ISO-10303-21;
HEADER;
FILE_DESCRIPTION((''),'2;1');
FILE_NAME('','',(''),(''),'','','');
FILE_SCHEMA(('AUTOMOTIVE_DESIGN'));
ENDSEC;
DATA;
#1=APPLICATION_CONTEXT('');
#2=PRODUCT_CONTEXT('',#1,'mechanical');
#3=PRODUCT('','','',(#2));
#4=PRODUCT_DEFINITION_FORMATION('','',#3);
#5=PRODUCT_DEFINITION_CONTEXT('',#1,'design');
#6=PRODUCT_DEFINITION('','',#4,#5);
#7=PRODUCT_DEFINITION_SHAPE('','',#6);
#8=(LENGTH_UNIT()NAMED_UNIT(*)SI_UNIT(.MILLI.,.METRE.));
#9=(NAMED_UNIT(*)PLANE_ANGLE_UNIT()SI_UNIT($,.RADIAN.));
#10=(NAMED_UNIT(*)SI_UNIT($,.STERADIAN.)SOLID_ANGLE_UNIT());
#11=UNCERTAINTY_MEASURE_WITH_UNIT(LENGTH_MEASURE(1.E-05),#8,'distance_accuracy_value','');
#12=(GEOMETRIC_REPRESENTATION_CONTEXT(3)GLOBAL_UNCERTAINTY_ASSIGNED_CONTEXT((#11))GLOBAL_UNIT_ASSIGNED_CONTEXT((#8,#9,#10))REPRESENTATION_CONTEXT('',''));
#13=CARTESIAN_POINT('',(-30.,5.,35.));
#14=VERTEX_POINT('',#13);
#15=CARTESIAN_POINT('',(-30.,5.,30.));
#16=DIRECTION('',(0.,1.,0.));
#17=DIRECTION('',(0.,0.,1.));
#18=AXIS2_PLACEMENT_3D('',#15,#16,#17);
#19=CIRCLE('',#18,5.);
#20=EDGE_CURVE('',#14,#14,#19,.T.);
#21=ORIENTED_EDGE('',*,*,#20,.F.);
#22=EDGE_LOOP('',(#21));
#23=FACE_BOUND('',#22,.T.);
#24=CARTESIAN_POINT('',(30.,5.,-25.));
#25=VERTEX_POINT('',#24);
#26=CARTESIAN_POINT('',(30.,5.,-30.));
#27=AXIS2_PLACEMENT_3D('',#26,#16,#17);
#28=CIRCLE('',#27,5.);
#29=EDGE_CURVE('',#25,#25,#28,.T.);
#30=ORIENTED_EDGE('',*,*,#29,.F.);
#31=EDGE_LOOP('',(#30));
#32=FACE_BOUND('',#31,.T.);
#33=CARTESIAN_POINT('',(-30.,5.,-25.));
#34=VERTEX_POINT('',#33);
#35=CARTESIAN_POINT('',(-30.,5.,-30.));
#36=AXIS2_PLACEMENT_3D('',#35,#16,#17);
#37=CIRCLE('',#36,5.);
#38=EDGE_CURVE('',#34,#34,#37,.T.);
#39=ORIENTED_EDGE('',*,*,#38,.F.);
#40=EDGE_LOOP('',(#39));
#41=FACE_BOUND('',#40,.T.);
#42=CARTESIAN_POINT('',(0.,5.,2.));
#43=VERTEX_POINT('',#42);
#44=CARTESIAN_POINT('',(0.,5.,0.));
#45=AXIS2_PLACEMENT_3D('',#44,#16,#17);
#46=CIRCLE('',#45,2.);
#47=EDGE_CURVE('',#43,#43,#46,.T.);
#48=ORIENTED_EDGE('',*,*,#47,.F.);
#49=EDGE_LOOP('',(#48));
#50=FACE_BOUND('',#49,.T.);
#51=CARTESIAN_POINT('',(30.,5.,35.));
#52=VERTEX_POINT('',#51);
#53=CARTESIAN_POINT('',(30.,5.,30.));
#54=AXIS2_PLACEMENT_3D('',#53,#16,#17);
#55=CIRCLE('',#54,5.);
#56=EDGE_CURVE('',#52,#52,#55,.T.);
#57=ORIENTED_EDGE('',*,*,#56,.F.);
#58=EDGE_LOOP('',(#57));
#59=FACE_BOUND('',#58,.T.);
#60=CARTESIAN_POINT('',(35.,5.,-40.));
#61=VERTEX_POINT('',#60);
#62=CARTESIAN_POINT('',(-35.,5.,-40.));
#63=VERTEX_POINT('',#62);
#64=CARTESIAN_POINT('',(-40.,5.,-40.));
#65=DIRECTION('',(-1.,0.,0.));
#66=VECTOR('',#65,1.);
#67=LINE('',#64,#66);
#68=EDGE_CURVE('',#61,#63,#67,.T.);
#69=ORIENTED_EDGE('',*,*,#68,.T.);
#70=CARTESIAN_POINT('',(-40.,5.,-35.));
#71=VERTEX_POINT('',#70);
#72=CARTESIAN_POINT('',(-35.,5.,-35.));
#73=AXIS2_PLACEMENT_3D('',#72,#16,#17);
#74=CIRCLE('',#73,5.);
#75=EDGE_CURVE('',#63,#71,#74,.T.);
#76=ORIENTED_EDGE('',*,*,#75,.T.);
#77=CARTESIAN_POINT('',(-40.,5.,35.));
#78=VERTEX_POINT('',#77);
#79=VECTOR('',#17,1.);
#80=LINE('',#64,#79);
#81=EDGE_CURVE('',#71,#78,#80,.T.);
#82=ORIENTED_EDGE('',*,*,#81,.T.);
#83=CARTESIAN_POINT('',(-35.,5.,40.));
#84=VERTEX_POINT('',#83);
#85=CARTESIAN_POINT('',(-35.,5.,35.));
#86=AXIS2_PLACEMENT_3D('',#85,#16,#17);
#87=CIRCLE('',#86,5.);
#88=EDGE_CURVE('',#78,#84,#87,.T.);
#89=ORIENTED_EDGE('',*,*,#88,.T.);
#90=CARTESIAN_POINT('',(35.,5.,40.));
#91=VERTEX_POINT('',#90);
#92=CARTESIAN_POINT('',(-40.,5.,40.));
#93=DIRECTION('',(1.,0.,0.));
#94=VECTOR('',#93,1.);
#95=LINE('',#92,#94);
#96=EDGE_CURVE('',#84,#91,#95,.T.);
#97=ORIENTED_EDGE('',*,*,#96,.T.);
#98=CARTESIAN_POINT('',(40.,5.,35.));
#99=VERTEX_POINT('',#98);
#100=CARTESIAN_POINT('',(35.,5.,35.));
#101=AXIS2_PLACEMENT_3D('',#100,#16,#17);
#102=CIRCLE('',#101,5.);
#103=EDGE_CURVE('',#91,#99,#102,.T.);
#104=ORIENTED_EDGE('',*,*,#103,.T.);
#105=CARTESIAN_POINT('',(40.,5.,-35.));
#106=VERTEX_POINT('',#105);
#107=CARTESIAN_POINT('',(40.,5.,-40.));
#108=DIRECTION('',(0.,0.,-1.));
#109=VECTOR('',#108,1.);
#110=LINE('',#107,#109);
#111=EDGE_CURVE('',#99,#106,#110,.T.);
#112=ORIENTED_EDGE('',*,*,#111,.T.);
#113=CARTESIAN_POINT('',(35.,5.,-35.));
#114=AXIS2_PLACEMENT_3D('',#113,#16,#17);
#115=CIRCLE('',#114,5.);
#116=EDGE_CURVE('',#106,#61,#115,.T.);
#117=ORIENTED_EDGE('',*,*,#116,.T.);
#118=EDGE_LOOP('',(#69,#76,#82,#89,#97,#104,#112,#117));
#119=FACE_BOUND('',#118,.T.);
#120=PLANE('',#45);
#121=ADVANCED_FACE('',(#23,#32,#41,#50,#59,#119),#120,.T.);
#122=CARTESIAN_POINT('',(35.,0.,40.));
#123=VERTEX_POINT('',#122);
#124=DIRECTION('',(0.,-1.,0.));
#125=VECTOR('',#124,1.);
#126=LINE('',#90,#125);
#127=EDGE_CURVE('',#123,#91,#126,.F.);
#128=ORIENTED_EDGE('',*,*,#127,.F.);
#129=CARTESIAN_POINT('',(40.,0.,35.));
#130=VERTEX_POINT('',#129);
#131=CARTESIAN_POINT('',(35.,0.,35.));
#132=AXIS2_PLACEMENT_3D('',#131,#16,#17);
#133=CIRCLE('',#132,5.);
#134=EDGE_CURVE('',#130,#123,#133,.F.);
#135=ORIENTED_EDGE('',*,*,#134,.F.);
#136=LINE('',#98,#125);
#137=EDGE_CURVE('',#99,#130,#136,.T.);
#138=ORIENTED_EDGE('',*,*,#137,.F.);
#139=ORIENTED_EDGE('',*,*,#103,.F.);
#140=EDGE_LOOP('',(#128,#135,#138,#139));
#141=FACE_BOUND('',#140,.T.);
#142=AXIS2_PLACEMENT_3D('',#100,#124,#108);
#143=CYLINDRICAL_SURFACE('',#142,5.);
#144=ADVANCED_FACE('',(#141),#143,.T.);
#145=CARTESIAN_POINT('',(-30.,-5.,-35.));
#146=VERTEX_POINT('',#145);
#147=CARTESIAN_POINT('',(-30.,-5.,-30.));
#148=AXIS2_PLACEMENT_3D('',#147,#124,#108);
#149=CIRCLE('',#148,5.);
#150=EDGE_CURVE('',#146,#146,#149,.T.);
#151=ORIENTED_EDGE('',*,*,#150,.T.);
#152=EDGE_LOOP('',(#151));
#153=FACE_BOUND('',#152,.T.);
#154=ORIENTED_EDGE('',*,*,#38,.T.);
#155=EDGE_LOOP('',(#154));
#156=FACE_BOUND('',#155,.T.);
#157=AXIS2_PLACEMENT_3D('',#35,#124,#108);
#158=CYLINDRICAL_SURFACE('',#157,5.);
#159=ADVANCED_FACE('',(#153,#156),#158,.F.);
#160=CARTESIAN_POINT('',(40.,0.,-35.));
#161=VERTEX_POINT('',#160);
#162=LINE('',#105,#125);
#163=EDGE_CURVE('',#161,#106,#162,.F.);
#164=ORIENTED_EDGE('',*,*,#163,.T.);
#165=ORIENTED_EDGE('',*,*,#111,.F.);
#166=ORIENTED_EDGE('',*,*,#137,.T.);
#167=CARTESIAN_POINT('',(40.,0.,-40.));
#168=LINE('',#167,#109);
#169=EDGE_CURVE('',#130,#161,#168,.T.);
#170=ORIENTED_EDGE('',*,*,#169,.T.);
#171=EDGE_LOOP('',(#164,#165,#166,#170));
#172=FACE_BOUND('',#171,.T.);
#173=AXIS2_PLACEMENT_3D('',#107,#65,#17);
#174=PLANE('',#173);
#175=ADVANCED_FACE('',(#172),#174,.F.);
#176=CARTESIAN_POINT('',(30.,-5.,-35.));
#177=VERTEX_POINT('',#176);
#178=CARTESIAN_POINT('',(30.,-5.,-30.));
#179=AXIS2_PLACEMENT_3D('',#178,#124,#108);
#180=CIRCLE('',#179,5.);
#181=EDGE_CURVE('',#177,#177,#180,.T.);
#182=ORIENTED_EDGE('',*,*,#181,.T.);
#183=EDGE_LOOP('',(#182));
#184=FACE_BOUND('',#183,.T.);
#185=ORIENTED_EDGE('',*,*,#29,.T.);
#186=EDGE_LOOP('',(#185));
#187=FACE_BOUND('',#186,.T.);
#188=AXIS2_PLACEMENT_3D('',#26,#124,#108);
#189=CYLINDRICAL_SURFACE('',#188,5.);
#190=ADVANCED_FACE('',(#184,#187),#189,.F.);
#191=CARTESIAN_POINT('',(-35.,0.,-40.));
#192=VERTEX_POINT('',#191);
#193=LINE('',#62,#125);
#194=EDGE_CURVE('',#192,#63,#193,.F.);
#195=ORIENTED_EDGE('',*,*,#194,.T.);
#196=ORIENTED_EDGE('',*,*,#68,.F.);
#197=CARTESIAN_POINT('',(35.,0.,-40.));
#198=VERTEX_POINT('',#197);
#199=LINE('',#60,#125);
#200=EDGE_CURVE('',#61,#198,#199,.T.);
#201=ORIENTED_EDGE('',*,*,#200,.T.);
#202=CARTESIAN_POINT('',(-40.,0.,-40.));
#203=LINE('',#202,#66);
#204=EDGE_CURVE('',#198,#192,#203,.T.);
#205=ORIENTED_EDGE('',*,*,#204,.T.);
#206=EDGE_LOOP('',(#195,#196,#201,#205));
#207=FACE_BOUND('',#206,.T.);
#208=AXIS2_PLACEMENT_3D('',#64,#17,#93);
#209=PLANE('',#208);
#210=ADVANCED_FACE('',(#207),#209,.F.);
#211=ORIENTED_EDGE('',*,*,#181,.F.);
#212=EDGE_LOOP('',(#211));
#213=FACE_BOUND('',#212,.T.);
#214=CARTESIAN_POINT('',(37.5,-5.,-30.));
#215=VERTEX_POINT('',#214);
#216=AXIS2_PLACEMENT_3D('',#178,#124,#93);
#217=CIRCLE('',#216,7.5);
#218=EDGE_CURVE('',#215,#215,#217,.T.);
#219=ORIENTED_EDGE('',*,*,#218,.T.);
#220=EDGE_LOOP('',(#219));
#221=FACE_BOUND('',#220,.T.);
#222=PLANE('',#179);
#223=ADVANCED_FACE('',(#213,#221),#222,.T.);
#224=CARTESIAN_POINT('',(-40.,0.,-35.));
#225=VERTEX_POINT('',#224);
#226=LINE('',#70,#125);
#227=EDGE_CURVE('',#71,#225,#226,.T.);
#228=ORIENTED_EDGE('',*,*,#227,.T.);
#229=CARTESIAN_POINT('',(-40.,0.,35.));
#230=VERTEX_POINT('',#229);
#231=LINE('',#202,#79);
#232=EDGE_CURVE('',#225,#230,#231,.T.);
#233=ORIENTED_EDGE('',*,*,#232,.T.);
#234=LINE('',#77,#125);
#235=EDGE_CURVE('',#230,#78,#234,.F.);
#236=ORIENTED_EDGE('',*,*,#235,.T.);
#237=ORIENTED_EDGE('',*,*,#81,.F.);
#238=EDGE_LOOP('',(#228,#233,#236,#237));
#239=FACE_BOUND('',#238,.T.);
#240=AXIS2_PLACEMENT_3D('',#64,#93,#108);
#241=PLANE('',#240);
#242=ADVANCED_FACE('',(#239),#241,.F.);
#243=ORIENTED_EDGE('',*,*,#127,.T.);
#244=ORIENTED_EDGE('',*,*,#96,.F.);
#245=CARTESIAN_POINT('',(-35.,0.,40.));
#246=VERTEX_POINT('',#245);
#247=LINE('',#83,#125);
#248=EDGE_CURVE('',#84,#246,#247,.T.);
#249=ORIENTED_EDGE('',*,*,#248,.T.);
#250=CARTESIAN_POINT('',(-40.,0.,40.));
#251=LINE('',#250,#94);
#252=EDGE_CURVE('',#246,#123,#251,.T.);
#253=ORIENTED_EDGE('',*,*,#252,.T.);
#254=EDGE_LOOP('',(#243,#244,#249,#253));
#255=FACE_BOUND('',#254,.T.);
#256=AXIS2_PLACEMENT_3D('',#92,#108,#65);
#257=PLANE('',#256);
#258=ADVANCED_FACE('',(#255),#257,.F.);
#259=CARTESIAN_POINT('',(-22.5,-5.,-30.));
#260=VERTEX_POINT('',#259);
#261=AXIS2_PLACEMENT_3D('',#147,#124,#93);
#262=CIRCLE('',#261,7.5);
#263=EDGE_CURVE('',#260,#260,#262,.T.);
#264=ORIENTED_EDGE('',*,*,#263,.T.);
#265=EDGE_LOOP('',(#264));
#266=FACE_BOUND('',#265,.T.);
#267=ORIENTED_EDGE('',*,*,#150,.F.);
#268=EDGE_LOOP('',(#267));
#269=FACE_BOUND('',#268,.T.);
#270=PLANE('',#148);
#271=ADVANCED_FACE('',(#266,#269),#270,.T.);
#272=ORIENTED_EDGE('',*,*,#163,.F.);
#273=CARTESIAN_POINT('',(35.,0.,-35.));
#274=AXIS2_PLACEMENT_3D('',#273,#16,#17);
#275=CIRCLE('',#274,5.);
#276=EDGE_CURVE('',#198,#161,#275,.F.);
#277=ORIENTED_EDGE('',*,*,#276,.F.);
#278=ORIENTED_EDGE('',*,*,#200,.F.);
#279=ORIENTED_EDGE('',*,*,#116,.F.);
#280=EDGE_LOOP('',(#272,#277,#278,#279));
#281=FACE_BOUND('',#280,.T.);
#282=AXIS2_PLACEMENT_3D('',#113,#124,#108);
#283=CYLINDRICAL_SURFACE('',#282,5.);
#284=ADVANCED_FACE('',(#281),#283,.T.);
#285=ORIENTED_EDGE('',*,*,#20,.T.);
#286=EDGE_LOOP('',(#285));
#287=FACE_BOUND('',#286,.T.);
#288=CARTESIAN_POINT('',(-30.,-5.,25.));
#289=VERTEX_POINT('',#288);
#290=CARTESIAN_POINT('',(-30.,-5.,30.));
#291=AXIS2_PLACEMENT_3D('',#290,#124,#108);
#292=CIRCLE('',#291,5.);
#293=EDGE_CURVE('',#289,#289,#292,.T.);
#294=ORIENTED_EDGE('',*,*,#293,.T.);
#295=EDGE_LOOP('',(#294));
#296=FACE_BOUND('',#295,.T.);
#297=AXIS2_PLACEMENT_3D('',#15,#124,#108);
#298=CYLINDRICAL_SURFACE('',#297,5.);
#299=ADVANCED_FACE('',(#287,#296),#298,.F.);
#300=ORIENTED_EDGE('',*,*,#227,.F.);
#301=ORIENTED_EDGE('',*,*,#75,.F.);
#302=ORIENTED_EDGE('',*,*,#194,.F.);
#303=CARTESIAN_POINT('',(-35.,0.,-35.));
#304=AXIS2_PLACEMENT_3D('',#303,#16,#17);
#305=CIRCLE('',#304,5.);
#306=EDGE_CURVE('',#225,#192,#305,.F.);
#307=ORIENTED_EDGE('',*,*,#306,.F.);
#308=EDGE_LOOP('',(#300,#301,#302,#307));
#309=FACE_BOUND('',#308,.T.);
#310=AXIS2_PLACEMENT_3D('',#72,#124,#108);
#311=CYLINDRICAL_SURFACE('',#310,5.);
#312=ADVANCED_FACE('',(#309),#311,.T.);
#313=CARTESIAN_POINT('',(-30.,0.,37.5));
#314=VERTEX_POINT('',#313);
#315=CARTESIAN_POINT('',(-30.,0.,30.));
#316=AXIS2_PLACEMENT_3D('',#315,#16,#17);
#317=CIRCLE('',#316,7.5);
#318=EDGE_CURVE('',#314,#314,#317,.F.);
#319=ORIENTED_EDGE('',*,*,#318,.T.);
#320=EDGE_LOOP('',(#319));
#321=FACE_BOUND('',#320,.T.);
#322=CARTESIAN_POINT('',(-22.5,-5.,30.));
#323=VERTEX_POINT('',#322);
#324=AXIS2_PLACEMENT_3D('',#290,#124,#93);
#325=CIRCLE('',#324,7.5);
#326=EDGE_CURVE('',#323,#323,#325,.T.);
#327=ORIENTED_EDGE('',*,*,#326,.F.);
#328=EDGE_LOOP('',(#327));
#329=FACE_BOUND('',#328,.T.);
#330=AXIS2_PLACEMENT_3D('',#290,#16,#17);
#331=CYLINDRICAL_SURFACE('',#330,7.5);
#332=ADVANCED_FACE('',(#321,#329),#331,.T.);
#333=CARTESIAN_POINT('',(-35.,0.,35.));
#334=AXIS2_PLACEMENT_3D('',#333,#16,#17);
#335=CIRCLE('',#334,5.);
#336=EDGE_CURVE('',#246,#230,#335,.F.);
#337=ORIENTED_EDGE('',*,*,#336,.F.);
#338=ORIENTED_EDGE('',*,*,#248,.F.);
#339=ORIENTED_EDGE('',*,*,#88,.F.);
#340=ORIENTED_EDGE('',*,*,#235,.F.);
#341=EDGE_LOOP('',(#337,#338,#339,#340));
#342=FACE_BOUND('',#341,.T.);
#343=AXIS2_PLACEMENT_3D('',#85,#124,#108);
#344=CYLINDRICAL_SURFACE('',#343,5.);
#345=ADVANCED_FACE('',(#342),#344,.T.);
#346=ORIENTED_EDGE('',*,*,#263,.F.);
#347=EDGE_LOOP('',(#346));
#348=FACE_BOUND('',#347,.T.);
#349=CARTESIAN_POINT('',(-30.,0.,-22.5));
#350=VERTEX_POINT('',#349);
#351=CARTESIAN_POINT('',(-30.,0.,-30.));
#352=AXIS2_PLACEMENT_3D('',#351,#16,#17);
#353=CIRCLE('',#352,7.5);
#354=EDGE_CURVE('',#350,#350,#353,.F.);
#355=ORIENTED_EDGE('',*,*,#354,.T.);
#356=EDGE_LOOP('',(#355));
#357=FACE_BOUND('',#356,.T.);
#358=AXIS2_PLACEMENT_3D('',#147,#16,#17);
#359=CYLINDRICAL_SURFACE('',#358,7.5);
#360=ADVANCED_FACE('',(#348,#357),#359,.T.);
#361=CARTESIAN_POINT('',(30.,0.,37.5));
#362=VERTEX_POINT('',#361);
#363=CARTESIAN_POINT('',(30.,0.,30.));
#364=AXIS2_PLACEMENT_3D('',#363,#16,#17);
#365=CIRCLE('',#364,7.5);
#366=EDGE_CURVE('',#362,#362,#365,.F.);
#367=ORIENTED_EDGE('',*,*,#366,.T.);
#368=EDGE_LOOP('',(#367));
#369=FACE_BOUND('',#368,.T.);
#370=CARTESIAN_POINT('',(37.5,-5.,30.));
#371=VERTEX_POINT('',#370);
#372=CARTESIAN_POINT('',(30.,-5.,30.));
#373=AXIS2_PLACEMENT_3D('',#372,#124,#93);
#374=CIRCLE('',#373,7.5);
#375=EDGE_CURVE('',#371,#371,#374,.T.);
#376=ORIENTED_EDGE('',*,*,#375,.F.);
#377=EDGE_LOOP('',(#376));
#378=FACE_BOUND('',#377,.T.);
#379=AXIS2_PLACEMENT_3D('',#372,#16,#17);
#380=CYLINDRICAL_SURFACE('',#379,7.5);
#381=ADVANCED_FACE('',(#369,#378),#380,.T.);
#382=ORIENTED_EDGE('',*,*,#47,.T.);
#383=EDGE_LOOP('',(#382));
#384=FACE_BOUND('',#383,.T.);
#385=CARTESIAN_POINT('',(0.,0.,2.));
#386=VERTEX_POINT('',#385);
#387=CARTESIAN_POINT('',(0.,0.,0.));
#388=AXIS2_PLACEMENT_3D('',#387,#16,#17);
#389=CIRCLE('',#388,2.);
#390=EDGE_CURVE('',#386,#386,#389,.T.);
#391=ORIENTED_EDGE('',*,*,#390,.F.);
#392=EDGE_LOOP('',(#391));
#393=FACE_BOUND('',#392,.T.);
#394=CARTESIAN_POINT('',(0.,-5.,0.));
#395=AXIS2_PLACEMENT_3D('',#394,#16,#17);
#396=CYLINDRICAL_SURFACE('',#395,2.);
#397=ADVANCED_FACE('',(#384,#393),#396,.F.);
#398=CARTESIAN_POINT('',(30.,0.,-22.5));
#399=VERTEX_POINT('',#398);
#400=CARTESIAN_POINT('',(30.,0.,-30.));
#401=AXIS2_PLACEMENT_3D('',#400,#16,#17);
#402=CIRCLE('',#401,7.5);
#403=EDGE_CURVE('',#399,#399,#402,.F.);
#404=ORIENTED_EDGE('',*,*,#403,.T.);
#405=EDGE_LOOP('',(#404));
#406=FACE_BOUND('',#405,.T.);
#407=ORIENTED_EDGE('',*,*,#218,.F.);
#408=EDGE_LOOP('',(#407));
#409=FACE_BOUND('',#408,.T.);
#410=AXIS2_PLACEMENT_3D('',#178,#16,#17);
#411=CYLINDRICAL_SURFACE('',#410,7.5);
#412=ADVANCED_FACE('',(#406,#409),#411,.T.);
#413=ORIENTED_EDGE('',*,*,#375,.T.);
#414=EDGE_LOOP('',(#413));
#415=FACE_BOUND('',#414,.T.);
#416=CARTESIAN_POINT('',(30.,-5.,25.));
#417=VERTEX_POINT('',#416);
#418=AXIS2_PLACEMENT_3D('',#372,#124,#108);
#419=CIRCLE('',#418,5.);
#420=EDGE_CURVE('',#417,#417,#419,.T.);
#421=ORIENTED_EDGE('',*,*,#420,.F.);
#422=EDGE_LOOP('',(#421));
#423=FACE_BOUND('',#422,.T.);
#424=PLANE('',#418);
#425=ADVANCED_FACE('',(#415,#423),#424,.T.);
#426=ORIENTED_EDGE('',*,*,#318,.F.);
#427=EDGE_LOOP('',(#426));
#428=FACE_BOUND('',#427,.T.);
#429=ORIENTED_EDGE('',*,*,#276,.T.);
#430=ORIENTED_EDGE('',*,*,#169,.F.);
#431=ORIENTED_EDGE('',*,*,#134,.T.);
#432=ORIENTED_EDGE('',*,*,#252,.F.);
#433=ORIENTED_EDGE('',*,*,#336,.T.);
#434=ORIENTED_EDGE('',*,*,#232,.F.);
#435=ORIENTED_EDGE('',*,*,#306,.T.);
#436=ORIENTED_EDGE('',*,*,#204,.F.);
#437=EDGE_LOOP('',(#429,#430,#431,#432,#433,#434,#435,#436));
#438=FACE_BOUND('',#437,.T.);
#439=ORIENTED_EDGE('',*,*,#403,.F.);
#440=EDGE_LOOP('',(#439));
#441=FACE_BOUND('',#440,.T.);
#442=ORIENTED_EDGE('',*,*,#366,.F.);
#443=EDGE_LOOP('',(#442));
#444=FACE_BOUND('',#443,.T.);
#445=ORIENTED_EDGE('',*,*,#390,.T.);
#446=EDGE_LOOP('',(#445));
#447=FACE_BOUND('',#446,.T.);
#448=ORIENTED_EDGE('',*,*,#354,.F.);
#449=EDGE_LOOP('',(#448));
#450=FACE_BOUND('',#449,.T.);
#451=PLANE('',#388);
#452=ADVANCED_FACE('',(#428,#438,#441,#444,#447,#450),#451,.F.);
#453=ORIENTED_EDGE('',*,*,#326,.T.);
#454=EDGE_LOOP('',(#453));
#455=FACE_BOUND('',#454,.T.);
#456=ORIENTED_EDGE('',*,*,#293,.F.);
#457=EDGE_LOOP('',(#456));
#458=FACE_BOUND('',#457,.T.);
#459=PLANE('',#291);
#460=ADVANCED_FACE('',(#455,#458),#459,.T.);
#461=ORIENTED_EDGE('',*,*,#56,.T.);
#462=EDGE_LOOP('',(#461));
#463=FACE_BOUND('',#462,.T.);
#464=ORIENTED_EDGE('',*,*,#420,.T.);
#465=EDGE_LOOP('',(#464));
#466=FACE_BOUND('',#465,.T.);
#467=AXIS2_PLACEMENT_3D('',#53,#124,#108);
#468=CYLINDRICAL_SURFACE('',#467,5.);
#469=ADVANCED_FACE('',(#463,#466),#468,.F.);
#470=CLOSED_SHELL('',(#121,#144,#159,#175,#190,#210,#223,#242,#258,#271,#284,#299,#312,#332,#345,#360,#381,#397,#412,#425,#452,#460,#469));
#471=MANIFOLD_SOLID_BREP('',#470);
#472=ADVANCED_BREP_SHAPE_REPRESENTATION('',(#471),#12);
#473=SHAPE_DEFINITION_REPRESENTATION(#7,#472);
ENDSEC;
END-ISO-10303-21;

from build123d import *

# Parameters (mm, degrees)
SKETCH1_W           = 80
SKETCH1_H           = 80
SKETCH1_R           = 5
BOSS_EXTRUDE1_DEPTH = 5
SKETCH2_R           = 7.5
SKETCH2_R_2         = 5
EXTRUDE_THIN1_DEPTH = 5
SKETCH3_R           = 2
CUT_EXTRUDE1_DEPTH  = 11
FILLET1_R           = 5


with BuildPart() as part:
    # Sketch1 → Boss-Extrude1 (new body)
    with BuildSketch(Plane(origin=(0, 0, 0), x_dir=(1, 0, 0), z_dir=(0, 1, 0))):
        Rectangle(SKETCH1_W, SKETCH1_H)
        with Locations((-30, 30)):
            Circle(SKETCH1_R, mode=Mode.SUBTRACT)
        with Locations((30, 30)):
            Circle(SKETCH1_R, mode=Mode.SUBTRACT)
        with Locations((30, -30)):
            Circle(SKETCH1_R, mode=Mode.SUBTRACT)
        with Locations((-30, -30)):
            Circle(SKETCH1_R, mode=Mode.SUBTRACT)
    extrude(amount=BOSS_EXTRUDE1_DEPTH)

    # Sketch2 → Extrude-Thin1 (add)
    with BuildSketch(Plane.XZ):
        with Locations((-30, -30)):
            Circle(SKETCH2_R)
        with Locations((-30, -30)):
            Circle(SKETCH2_R_2, mode=Mode.SUBTRACT)
        with Locations((30, -30)):
            Circle(SKETCH2_R)
        with Locations((30, -30)):
            Circle(SKETCH2_R_2, mode=Mode.SUBTRACT)
        with Locations((30, 30)):
            Circle(SKETCH2_R)
        with Locations((30, 30)):
            Circle(SKETCH2_R_2, mode=Mode.SUBTRACT)
        with Locations((-30, 30)):
            Circle(SKETCH2_R)
        with Locations((-30, 30)):
            Circle(SKETCH2_R_2, mode=Mode.SUBTRACT)
    extrude(amount=EXTRUDE_THIN1_DEPTH)

    # Sketch3 → Cut-Extrude1 (cut, through all)
    with BuildSketch(Plane(origin=(0, 5, 0), x_dir=(1, 0, 0), z_dir=(0, 1, 0))):
        Circle(SKETCH3_R)
    extrude(amount=-CUT_EXTRUDE1_DEPTH, mode=Mode.SUBTRACT)

    # Fillet1
    fillet1_edges = [part.edges().sort_by_distance(p)[0] for p in [
        (40, 2.5, 40),
        (-40, 2.5, 40),
        (-40, 2.5, -40),
        (40, 2.5, -40),
    ]]
    fillet(fillet1_edges, radius=FILLET1_R)


solid = part.part
